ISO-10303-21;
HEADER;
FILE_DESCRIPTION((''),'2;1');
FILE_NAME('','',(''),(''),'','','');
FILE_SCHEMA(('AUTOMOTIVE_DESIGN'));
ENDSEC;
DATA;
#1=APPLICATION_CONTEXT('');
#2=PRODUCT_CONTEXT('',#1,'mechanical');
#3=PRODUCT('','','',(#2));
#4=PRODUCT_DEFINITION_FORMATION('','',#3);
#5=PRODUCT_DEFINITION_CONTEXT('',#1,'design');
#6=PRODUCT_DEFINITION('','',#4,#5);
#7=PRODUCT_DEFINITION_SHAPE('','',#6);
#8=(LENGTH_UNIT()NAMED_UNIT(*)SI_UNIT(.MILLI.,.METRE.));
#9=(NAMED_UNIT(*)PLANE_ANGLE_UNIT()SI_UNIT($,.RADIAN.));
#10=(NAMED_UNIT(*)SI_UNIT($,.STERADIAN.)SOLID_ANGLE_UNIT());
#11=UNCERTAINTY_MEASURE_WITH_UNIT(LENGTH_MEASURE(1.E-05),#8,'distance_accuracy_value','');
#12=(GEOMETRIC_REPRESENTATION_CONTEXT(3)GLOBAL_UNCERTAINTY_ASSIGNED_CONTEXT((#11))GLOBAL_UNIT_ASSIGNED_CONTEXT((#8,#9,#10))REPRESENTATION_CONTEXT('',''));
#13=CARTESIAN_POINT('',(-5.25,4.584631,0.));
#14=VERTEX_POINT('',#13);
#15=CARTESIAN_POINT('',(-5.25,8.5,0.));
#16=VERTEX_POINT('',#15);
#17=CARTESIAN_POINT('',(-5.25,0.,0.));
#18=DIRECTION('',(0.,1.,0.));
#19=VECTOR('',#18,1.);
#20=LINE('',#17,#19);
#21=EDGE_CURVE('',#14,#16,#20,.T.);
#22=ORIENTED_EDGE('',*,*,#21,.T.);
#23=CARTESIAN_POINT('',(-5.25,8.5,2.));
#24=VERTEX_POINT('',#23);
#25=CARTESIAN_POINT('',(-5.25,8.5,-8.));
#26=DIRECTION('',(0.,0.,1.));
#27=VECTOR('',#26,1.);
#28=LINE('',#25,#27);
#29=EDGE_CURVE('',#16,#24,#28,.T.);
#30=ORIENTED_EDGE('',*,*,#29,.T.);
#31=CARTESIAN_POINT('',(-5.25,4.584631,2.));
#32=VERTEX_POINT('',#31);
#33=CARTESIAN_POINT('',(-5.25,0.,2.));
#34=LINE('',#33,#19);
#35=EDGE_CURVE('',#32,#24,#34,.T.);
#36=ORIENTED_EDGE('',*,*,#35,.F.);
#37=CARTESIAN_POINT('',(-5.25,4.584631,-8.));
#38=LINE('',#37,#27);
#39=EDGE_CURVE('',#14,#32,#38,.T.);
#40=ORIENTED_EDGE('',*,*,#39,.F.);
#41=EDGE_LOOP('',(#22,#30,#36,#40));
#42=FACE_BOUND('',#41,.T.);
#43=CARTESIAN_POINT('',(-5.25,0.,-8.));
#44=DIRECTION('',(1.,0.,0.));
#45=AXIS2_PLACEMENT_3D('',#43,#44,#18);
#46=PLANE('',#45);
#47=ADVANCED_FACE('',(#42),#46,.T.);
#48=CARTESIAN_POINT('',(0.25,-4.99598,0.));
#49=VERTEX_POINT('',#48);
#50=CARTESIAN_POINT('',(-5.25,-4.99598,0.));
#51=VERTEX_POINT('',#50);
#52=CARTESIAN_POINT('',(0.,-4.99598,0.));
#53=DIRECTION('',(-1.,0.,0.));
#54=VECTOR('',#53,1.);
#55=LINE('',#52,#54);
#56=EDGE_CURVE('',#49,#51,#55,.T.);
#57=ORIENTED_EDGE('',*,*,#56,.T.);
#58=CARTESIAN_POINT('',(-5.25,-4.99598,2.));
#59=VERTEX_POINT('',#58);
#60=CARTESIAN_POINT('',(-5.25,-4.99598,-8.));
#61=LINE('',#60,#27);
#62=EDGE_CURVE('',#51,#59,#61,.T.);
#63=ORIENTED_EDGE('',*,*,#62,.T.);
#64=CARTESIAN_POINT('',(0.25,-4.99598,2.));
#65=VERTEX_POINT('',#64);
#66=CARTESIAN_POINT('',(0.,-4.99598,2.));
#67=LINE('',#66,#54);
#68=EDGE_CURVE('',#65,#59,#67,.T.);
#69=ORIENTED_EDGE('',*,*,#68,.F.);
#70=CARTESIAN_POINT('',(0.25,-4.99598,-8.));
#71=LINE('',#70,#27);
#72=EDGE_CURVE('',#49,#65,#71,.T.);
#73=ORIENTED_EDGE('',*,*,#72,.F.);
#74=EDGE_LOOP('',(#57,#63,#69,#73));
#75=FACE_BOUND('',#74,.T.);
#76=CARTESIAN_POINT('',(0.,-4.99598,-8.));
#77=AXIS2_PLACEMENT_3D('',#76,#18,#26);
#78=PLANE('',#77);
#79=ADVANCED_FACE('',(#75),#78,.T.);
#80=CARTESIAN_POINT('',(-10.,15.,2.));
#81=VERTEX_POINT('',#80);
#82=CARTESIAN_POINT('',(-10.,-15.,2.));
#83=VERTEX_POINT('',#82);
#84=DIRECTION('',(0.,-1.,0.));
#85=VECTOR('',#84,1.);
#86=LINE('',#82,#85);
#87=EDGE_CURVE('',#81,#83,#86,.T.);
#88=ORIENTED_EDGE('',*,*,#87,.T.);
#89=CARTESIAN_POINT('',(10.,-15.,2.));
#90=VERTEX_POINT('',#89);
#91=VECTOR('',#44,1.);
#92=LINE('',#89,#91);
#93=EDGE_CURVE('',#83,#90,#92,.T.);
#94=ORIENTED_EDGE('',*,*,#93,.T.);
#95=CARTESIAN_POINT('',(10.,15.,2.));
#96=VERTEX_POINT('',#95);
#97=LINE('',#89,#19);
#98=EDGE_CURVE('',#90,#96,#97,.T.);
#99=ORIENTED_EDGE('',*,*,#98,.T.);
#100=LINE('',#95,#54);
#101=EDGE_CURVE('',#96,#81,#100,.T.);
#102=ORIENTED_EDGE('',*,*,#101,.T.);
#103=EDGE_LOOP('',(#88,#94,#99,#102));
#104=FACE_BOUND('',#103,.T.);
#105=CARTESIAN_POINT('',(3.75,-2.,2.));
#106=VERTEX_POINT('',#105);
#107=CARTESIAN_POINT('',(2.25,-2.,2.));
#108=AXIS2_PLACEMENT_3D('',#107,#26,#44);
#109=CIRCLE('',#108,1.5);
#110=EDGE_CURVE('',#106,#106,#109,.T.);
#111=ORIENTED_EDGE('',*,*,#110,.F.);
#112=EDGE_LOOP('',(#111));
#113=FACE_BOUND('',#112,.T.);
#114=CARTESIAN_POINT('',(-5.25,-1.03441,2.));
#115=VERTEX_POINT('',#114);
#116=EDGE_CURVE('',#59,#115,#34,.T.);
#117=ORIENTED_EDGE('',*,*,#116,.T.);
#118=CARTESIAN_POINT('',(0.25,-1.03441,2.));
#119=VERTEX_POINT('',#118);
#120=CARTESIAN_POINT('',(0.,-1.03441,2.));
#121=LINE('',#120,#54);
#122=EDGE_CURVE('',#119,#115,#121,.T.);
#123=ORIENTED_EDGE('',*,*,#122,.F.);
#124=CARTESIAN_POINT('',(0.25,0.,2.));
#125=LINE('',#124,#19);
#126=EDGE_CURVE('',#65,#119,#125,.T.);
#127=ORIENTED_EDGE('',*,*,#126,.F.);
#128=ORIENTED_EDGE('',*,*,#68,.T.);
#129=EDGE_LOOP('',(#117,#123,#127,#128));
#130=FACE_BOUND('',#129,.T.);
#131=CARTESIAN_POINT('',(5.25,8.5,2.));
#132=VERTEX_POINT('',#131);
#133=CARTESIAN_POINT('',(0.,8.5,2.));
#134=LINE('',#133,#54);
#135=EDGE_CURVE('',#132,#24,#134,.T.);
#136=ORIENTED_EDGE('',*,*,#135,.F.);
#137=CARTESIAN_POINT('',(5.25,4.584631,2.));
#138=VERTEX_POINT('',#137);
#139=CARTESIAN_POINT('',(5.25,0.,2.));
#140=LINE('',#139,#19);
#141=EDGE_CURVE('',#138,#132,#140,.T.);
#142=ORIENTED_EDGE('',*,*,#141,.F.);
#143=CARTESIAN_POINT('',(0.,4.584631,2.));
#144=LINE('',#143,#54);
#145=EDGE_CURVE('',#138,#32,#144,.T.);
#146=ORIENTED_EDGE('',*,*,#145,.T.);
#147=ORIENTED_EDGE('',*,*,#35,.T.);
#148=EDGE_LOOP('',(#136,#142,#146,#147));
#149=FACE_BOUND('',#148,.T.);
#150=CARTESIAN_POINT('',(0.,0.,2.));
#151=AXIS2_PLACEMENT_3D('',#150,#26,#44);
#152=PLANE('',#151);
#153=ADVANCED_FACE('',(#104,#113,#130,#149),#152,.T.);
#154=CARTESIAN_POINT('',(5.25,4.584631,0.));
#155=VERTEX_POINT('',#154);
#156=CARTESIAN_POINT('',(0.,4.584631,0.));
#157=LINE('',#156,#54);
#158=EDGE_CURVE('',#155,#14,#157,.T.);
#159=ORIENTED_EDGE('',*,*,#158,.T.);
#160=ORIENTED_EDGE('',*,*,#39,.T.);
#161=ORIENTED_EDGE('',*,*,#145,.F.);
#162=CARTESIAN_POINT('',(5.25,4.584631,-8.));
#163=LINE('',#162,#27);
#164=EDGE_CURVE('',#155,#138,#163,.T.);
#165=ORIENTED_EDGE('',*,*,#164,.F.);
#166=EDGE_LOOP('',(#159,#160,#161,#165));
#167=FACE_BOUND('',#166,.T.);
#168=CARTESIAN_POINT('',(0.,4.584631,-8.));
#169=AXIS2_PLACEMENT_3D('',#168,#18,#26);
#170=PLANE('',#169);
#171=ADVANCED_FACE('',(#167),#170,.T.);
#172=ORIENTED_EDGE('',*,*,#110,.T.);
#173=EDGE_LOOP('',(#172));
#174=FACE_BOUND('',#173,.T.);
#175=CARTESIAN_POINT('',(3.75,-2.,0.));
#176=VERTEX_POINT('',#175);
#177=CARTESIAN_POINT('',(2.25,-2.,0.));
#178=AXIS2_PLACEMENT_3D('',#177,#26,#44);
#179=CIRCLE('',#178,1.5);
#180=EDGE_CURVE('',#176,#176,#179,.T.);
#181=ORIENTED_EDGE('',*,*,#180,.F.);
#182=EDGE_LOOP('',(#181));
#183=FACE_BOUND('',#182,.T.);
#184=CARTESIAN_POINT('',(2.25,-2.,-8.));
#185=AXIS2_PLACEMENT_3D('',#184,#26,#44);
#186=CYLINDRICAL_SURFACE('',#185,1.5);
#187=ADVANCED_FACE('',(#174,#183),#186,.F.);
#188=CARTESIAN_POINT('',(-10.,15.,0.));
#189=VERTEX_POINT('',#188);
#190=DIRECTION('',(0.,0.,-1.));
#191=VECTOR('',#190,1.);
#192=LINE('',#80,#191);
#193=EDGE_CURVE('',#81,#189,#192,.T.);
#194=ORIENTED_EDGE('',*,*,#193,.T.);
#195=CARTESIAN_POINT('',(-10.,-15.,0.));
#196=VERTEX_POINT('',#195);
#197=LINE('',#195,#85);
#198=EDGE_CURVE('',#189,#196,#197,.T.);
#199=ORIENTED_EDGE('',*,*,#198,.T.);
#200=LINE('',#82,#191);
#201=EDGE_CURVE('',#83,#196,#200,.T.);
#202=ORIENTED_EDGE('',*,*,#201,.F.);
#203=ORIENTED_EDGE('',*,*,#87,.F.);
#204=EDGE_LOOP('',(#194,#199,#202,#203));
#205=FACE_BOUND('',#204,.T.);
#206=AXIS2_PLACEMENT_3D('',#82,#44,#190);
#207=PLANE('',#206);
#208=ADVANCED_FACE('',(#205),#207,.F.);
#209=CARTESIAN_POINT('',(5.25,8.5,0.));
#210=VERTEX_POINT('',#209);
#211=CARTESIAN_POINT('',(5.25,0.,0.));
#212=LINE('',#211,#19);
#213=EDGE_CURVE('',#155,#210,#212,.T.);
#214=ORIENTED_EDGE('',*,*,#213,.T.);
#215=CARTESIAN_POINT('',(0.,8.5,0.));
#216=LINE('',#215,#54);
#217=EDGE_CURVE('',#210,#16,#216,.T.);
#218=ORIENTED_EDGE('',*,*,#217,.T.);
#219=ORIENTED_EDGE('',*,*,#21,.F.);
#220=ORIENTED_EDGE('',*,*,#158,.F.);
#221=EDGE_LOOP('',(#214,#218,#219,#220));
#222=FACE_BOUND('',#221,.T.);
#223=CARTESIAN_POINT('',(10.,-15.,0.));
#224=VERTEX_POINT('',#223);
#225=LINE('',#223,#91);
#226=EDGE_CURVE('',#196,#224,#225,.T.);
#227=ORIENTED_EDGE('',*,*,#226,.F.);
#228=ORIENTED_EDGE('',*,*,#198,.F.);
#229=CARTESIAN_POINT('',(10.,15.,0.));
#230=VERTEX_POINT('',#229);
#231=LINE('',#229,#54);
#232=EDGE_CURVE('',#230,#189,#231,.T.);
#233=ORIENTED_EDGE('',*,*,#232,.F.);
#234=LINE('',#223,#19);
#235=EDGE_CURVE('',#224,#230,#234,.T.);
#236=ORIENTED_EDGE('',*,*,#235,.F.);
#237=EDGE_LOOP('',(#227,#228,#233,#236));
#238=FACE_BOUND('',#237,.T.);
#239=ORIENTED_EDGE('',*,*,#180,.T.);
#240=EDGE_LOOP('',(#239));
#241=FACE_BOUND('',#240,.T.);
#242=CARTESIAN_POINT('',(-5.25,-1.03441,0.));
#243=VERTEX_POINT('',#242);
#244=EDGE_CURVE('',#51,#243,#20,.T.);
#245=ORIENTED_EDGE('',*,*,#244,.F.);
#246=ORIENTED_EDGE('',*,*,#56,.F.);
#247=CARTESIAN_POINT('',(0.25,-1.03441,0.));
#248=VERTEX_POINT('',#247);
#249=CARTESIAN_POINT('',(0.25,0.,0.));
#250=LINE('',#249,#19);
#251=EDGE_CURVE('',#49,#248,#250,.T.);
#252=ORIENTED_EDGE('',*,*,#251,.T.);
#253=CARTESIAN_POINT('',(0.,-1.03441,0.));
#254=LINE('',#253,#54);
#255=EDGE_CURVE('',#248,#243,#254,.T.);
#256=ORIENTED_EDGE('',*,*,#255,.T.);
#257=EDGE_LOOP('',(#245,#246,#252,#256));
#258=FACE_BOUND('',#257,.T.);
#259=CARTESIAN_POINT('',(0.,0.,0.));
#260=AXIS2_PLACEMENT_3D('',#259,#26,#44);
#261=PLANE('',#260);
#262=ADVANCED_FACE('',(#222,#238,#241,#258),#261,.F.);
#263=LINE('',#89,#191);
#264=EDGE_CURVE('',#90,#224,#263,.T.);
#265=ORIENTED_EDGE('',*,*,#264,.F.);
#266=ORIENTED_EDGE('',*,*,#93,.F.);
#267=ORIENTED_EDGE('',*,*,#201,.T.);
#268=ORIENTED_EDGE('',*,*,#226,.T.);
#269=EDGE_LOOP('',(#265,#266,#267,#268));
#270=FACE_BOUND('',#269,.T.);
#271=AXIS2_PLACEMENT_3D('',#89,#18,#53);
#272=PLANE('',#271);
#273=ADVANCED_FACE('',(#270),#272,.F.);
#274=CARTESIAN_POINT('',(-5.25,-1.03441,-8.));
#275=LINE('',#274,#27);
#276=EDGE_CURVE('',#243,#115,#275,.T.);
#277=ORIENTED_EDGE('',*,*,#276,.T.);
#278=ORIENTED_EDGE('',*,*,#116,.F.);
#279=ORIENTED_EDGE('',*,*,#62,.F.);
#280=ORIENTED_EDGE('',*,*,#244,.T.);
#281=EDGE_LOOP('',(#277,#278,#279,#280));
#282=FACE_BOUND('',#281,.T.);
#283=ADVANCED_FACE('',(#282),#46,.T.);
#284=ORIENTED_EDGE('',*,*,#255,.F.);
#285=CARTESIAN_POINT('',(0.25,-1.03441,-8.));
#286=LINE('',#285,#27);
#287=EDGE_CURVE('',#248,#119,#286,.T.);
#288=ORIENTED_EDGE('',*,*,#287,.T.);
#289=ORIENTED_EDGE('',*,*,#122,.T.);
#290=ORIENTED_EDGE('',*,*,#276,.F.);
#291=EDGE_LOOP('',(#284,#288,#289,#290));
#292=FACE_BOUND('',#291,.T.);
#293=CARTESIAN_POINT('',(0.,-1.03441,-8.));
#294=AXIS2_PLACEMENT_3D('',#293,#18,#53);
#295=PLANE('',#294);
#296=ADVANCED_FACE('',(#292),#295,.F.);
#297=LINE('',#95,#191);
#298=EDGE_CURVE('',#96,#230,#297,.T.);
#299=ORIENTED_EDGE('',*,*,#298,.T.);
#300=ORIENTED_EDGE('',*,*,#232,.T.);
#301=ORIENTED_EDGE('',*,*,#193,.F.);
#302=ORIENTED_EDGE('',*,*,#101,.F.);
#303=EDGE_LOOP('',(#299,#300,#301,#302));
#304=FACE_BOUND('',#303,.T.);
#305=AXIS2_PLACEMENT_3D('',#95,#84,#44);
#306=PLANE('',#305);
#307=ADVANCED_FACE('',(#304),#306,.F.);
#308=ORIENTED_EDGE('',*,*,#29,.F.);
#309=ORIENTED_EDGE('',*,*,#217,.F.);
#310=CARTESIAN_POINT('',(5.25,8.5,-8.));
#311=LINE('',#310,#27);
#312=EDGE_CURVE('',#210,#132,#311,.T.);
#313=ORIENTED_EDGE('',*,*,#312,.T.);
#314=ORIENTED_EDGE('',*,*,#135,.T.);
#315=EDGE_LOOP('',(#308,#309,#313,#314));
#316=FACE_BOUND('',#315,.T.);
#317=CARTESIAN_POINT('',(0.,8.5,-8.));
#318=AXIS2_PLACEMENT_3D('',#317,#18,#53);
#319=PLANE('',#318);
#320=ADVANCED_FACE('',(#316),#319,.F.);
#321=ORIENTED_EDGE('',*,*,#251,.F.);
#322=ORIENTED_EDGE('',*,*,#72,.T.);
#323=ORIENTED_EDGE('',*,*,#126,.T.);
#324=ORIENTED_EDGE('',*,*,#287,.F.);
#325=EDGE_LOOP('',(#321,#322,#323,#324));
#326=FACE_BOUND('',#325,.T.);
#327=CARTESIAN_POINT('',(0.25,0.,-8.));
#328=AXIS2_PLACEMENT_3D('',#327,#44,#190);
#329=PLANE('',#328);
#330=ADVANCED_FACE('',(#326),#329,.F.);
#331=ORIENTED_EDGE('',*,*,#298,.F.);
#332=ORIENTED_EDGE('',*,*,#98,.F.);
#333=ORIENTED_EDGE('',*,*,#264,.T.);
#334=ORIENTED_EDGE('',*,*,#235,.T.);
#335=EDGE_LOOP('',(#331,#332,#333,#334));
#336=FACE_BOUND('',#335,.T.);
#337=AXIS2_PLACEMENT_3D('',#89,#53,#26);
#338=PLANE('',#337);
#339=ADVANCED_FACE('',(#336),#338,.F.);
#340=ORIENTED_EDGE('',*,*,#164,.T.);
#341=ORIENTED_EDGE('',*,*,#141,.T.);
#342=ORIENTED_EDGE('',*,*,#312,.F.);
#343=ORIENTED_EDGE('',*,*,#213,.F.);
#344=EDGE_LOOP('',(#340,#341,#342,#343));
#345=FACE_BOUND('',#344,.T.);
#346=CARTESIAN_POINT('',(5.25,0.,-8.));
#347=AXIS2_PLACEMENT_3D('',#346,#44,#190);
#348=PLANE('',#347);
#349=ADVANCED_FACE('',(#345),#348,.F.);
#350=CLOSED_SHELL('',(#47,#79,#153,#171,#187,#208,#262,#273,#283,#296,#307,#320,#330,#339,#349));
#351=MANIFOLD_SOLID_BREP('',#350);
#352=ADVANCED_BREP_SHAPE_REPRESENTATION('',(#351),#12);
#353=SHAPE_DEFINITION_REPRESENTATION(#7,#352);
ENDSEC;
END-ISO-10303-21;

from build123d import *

# Parameters (mm, degrees)
SKETCH1_W           = 20
SKETCH1_H           = 30
BOSS_EXTRUDE1_DEPTH = 2
SKETCH2_W           = 10.5
SKETCH2_H           = 3.915369074
SKETCH2_W_2         = 5.5
SKETCH2_H_2         = 3.961570411
SKETCH2_R           = 1.5
CUT_EXTRUDE1_DEPTH  = 10


with BuildPart() as part:
    # Sketch1 → Boss-Extrude1 (new body)
    with BuildSketch(Plane.XY):
        Rectangle(SKETCH1_W, SKETCH1_H)
    extrude(amount=BOSS_EXTRUDE1_DEPTH)

    # Sketch2 → Cut-Extrude1 (cut)
    with BuildSketch(Plane.XY.offset(2)):
        with Locations((0, 6.542315463)):
            Rectangle(SKETCH2_W, SKETCH2_H)
        with Locations((-2.5, -3.015195258)):
            Rectangle(SKETCH2_W_2, SKETCH2_H_2)
        with Locations((2.25, -2)):
            Circle(SKETCH2_R)
    extrude(amount=-CUT_EXTRUDE1_DEPTH, mode=Mode.SUBTRACT)


solid = part.part
